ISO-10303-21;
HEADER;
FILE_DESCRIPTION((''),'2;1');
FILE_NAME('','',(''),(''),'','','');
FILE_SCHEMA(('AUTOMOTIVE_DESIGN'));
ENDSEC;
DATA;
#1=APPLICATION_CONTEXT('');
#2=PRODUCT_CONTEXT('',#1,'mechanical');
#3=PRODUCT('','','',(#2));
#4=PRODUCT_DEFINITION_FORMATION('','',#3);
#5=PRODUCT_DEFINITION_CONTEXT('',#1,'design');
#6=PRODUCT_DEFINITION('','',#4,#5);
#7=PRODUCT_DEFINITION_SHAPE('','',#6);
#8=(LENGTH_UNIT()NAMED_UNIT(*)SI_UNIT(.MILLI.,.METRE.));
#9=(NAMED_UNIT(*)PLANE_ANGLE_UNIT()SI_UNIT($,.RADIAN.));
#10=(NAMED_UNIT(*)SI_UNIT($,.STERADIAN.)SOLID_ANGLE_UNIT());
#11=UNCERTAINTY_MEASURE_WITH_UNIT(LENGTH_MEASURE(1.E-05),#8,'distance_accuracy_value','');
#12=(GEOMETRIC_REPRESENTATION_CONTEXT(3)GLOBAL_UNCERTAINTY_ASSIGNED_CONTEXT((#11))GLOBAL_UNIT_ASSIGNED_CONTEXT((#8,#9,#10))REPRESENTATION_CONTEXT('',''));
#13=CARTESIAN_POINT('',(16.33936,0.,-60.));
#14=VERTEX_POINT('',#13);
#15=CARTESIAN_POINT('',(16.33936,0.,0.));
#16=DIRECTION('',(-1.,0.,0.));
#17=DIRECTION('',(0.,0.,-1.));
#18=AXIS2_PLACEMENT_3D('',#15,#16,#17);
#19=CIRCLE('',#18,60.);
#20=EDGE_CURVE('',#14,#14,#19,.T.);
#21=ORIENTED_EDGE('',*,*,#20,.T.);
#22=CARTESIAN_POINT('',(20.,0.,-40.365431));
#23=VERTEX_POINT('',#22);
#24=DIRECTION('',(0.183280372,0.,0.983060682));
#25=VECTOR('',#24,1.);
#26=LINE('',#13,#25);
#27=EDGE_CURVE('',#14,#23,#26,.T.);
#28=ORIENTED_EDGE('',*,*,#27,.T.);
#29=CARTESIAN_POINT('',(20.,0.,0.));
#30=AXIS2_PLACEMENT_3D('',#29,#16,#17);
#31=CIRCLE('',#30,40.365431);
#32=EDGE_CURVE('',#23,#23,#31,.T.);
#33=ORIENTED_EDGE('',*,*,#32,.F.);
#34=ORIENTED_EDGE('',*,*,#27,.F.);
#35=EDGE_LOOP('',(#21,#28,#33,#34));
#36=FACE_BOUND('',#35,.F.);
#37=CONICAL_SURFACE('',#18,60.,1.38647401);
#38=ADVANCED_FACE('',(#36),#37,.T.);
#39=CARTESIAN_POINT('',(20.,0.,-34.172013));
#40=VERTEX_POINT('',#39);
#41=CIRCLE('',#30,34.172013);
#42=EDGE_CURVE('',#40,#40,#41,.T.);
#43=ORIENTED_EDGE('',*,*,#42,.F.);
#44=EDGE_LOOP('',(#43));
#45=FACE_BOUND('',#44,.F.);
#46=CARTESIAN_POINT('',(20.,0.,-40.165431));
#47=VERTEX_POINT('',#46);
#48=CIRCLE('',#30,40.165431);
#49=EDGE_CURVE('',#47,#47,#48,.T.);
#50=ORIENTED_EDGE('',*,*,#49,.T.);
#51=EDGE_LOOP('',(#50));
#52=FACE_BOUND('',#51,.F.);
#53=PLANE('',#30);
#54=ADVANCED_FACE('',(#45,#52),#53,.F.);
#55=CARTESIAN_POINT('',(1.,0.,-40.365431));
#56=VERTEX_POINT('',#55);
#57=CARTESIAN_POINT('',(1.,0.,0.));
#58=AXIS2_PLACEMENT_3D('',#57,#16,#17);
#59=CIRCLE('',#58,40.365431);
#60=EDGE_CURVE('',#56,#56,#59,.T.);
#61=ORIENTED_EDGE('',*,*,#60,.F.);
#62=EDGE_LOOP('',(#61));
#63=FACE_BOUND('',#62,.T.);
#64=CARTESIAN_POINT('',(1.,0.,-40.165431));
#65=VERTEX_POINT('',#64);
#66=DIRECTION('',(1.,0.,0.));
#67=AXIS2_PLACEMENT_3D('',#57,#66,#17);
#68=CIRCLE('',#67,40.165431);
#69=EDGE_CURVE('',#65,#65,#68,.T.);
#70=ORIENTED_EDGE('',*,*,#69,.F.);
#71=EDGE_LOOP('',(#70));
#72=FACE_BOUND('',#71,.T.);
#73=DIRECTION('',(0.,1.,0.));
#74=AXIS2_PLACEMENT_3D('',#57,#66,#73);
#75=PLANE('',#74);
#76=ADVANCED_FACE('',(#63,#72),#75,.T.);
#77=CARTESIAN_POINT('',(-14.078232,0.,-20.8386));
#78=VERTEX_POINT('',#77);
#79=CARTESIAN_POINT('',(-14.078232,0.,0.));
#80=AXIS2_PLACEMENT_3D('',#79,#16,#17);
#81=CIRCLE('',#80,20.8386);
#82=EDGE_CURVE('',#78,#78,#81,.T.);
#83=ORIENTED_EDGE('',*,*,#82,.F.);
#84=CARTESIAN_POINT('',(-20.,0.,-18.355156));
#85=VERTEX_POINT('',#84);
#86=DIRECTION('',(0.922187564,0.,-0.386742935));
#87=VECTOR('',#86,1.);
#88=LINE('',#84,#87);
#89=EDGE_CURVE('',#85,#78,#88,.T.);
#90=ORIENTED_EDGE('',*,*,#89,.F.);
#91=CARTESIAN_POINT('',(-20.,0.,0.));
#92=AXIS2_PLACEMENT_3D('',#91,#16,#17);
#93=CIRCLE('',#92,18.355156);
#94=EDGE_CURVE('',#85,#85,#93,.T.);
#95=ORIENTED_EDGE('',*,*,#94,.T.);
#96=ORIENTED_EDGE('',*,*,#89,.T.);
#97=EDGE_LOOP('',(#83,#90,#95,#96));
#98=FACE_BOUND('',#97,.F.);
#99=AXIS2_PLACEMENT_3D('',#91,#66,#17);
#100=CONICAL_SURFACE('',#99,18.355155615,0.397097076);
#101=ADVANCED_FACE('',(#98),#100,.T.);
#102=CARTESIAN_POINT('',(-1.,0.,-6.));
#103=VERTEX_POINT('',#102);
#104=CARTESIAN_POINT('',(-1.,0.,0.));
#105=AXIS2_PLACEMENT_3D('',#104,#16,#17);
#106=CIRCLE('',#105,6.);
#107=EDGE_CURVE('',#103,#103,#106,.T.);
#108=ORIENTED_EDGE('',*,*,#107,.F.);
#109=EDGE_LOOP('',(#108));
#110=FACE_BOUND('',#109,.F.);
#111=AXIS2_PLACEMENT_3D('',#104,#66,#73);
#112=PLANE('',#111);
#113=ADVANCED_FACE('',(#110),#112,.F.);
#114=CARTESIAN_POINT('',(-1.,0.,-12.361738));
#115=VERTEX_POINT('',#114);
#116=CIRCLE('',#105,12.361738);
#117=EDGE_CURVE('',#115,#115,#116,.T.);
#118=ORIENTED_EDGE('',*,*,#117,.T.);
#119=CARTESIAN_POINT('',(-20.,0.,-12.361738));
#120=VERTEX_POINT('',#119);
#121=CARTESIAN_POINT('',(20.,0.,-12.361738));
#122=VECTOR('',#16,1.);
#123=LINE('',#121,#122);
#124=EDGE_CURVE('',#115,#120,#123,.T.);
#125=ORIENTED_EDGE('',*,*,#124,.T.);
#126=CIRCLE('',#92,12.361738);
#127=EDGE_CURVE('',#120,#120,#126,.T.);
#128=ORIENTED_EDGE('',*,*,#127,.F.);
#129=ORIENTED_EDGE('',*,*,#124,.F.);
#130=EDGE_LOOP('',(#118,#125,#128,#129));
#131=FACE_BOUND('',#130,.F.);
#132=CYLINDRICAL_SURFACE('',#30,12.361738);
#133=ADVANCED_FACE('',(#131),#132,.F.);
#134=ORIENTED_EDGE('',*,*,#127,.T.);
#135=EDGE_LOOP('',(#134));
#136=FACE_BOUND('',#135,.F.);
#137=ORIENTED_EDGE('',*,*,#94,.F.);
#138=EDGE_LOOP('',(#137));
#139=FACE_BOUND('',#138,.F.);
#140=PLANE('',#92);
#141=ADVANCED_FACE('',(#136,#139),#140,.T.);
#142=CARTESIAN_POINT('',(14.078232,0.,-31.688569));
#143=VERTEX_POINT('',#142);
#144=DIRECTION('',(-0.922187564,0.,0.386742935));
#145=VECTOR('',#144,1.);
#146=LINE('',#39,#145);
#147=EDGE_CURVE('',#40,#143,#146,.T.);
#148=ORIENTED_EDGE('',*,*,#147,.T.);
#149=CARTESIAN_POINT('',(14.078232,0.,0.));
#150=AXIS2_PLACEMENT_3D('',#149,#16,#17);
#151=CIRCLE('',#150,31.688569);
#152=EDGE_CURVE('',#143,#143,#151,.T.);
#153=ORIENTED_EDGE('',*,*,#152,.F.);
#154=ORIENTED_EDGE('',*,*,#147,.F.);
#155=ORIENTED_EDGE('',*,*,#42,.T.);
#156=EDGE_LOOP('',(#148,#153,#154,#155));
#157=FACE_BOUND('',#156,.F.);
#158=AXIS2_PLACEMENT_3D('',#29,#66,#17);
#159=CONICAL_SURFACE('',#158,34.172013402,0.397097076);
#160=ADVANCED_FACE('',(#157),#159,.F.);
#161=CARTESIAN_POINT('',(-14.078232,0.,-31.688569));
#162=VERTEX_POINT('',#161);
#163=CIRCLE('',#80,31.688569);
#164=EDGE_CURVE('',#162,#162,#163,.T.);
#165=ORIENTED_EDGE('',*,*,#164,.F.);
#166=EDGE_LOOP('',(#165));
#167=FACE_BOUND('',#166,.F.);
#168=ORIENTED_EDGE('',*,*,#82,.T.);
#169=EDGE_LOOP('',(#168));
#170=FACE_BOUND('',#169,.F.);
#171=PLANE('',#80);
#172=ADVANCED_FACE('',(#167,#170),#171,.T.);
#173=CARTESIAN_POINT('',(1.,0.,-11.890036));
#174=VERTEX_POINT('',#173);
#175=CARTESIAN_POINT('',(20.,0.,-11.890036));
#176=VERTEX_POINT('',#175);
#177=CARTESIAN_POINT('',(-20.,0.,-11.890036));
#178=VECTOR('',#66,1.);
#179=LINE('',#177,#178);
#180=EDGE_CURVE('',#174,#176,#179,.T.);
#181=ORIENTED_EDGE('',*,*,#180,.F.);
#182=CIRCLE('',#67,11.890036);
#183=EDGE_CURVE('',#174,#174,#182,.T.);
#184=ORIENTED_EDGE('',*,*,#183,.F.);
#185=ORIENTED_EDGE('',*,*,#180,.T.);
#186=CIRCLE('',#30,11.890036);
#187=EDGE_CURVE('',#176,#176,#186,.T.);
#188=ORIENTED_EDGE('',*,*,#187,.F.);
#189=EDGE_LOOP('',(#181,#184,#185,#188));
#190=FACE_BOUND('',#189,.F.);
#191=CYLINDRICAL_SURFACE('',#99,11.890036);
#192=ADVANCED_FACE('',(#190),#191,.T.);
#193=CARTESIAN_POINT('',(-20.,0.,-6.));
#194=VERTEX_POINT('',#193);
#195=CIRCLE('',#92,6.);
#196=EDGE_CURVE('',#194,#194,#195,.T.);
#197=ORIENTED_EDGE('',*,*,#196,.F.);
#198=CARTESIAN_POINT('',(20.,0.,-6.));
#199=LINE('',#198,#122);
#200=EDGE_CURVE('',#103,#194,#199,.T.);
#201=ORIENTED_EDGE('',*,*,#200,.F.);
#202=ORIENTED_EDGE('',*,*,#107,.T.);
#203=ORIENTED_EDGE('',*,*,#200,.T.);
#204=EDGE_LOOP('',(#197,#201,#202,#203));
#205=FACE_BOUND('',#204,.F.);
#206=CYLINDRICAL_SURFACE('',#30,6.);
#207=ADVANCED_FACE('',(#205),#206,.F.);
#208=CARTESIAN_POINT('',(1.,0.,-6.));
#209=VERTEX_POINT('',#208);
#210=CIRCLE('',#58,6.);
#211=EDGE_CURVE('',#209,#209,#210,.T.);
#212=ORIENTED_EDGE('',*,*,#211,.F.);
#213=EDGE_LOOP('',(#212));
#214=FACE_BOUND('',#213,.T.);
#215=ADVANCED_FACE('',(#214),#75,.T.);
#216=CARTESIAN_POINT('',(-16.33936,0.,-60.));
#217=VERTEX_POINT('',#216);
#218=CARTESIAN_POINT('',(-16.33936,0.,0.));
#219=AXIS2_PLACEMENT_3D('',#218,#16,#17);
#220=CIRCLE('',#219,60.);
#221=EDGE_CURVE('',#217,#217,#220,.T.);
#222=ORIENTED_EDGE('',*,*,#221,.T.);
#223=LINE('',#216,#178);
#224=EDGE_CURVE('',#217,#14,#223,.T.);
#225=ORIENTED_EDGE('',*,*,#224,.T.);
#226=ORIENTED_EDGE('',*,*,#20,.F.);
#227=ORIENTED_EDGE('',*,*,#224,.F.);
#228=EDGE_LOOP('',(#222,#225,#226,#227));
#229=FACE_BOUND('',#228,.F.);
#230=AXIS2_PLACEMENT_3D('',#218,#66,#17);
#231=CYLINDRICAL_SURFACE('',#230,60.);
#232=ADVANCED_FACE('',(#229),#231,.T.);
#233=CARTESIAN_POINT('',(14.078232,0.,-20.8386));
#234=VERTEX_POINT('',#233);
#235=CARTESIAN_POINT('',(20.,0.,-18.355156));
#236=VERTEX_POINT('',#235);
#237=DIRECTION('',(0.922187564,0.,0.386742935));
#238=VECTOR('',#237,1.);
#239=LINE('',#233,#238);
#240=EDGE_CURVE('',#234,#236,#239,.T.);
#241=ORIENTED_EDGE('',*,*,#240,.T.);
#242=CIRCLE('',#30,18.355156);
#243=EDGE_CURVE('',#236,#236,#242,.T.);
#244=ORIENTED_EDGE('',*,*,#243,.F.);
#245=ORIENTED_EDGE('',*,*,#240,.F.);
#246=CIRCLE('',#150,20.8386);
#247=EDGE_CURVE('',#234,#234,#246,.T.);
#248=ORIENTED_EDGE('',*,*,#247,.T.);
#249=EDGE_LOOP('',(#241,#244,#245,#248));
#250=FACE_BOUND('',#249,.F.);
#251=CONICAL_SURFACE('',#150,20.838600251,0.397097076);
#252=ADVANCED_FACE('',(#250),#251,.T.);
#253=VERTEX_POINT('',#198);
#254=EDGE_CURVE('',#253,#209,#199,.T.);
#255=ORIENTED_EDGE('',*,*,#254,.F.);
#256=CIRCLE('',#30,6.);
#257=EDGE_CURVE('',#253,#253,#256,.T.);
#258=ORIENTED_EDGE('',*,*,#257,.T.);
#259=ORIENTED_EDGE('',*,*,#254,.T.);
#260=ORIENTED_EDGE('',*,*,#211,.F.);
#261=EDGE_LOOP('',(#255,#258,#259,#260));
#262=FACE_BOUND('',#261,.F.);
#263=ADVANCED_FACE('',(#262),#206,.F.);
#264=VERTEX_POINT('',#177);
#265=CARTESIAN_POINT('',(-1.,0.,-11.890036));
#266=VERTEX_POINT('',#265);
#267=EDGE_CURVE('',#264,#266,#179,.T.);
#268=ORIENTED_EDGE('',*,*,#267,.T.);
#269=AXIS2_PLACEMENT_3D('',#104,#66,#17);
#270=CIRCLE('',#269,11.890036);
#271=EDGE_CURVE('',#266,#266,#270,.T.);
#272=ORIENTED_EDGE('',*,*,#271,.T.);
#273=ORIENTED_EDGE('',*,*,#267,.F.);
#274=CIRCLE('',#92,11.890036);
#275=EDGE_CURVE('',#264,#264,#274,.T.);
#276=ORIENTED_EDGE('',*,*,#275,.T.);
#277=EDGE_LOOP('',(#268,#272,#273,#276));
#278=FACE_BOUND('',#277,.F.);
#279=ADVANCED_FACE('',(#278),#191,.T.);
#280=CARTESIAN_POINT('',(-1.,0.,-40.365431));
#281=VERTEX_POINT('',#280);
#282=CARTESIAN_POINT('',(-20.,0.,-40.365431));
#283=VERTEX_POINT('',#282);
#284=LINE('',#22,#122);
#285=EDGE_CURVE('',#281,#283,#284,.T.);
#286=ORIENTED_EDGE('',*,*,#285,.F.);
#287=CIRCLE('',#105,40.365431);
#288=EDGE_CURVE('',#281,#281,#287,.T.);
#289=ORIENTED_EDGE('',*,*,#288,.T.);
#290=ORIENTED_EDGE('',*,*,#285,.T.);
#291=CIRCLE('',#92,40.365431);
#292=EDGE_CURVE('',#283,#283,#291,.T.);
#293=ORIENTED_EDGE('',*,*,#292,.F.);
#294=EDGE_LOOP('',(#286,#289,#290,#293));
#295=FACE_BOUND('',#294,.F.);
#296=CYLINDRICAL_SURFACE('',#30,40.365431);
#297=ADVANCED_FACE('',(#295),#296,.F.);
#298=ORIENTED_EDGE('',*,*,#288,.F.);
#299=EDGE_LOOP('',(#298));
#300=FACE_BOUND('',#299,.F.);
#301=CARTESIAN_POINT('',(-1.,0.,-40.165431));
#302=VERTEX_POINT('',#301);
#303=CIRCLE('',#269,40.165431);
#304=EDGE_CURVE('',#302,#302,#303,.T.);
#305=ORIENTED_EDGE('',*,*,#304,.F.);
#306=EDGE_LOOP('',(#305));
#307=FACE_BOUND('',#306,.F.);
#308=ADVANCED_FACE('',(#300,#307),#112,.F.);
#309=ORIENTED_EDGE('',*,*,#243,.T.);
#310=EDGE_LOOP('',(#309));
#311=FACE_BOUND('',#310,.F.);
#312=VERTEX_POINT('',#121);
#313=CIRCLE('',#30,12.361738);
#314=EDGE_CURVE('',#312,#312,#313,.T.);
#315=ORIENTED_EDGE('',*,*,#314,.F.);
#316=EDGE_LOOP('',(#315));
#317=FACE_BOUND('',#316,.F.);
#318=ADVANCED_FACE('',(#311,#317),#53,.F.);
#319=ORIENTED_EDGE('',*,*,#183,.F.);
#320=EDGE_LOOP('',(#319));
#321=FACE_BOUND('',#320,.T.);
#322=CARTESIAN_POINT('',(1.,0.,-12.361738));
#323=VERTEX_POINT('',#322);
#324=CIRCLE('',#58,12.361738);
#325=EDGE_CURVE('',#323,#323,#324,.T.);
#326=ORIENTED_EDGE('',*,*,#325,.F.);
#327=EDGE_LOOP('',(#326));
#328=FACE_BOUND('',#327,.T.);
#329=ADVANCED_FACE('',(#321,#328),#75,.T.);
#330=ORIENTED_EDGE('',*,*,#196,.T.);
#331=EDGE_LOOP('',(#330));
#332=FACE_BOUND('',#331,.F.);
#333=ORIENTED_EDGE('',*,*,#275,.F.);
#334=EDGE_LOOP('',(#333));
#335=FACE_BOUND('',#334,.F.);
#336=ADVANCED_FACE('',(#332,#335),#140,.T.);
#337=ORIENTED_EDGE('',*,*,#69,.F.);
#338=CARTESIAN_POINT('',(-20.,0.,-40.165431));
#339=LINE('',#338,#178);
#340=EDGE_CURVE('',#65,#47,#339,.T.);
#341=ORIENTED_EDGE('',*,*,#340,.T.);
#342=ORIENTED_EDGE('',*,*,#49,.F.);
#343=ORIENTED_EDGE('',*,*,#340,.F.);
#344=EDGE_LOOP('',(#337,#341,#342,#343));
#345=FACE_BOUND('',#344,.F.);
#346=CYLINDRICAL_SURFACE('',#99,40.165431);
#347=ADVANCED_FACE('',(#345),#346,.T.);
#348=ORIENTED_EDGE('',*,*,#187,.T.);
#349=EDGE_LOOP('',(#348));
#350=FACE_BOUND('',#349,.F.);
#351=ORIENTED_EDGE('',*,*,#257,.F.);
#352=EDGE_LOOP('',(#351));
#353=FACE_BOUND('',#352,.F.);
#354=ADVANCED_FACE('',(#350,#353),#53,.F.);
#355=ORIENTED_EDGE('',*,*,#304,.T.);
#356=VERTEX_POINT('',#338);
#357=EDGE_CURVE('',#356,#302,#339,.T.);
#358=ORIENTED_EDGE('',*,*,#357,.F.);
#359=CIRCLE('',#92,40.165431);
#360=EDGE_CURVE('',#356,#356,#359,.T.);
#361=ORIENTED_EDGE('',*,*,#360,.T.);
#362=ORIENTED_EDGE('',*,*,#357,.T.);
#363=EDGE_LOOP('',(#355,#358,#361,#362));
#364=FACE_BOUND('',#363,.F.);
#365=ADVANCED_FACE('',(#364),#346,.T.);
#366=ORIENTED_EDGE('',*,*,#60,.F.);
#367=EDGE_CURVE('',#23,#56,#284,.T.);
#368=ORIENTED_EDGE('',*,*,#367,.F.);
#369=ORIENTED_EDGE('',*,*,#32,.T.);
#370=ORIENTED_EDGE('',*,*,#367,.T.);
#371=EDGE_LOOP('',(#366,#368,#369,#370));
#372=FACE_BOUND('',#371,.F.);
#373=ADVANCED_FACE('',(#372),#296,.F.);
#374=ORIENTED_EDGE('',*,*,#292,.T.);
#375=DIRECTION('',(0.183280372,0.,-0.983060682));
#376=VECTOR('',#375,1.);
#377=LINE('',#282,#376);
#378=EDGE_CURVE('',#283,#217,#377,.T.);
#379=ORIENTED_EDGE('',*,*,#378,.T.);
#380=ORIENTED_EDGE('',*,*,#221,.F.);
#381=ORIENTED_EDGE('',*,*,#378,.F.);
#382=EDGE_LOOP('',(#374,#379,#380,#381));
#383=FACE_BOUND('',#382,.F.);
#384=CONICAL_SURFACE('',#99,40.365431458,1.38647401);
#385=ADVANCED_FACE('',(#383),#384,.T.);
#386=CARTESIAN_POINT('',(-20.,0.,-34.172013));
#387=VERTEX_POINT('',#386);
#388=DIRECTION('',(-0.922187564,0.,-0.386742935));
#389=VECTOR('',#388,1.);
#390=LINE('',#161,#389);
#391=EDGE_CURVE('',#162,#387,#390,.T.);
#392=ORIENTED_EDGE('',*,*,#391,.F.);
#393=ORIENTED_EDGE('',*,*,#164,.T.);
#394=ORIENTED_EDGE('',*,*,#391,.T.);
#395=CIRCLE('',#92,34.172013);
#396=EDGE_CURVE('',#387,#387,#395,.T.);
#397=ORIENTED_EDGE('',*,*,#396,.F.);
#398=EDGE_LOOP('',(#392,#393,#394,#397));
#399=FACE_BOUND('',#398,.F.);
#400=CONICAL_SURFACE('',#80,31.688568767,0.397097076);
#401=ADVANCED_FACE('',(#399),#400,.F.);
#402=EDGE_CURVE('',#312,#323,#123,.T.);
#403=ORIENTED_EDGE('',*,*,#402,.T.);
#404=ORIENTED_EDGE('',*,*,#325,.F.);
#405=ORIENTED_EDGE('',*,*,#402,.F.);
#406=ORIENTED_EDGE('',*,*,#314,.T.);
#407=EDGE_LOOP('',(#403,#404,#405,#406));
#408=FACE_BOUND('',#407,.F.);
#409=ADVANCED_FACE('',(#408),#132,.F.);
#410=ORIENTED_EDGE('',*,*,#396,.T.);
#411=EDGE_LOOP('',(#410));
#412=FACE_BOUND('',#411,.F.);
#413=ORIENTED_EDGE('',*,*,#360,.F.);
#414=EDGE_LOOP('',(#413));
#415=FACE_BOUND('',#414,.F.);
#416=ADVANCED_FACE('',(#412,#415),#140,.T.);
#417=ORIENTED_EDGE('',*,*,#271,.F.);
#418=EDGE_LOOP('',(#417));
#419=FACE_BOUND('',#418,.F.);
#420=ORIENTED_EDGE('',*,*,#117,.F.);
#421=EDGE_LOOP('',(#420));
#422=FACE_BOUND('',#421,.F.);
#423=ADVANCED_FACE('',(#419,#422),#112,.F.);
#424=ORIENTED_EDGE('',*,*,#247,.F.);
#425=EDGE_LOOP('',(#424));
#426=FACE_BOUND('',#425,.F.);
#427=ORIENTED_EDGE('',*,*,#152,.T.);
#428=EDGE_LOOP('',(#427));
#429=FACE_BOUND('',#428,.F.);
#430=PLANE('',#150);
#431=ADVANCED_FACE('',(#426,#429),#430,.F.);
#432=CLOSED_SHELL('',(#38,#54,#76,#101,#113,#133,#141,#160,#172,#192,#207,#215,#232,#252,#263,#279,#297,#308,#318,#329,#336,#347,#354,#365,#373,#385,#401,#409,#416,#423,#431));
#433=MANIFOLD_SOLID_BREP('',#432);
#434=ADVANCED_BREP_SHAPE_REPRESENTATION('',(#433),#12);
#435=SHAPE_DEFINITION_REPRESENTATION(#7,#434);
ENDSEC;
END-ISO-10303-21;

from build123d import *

# Parameters (mm, degrees)
F2_R     = 47.0938119368
F3_DEPTH = 1


with BuildPart() as f1:
    # F0 (on Front) → F1 (revolve)
    with BuildSketch(Plane.XZ):
        Polygon((-20, -11.8900358561), (0, -11.8900358561), (20, -11.8900358561), (20, -6), (0, -6), (-20, -6), align=None)
    revolve(axis=Axis((-66.6633010662, 0, 0), (-1, 0, 0)))



with BuildPart() as f1b:
    # F0 (on Front) → F1, piece 2 (revolve)
    with BuildSketch(Plane.XZ):
        Polygon((-16.3393602265, -60), (0, -60), (16.3393602265, -60), (20, -40.3654314578), (0, -40.3654314578), (-20, -40.3654314578), align=None)
    revolve(axis=Axis((-66.6633010662, 0, 0), (-1, 0, 0)))


with BuildPart() as f1c:
    # F0 (on Front) → F1, piece 3 (revolve)
    with BuildSketch(Plane.XZ):
        Polygon((0, -40.1654314578), (20, -40.1654314578), (20, -34.172013402), (14.0782324597, -31.6885687669), (14.0782324597, -20.8386002505), (20, -18.3551556154), (20, -12.3617375596), (0, -12.3617375596), (-20, -12.3617375596), (-20, -18.3551556154), (-14.0782324597, -20.8386002505), (-14.0782324597, -31.6885687669), (-20, -34.172013402), (-20, -40.1654314578), align=None)
    revolve(axis=Axis((-66.6633010662, 0, 0), (-1, 0, 0)))


with BuildPart() as f1_1:
    add(f1.part)

    add(f1b.part)  # F3 merges F1b

    add(f1c.part)  # F3 merges F1c
    # F2 (on Right) → F3 (join, symmetric)
    with BuildSketch(Plane.YZ):
        Circle(F2_R)
    extrude(amount=F3_DEPTH, both=True)


solid = f1_1.part
